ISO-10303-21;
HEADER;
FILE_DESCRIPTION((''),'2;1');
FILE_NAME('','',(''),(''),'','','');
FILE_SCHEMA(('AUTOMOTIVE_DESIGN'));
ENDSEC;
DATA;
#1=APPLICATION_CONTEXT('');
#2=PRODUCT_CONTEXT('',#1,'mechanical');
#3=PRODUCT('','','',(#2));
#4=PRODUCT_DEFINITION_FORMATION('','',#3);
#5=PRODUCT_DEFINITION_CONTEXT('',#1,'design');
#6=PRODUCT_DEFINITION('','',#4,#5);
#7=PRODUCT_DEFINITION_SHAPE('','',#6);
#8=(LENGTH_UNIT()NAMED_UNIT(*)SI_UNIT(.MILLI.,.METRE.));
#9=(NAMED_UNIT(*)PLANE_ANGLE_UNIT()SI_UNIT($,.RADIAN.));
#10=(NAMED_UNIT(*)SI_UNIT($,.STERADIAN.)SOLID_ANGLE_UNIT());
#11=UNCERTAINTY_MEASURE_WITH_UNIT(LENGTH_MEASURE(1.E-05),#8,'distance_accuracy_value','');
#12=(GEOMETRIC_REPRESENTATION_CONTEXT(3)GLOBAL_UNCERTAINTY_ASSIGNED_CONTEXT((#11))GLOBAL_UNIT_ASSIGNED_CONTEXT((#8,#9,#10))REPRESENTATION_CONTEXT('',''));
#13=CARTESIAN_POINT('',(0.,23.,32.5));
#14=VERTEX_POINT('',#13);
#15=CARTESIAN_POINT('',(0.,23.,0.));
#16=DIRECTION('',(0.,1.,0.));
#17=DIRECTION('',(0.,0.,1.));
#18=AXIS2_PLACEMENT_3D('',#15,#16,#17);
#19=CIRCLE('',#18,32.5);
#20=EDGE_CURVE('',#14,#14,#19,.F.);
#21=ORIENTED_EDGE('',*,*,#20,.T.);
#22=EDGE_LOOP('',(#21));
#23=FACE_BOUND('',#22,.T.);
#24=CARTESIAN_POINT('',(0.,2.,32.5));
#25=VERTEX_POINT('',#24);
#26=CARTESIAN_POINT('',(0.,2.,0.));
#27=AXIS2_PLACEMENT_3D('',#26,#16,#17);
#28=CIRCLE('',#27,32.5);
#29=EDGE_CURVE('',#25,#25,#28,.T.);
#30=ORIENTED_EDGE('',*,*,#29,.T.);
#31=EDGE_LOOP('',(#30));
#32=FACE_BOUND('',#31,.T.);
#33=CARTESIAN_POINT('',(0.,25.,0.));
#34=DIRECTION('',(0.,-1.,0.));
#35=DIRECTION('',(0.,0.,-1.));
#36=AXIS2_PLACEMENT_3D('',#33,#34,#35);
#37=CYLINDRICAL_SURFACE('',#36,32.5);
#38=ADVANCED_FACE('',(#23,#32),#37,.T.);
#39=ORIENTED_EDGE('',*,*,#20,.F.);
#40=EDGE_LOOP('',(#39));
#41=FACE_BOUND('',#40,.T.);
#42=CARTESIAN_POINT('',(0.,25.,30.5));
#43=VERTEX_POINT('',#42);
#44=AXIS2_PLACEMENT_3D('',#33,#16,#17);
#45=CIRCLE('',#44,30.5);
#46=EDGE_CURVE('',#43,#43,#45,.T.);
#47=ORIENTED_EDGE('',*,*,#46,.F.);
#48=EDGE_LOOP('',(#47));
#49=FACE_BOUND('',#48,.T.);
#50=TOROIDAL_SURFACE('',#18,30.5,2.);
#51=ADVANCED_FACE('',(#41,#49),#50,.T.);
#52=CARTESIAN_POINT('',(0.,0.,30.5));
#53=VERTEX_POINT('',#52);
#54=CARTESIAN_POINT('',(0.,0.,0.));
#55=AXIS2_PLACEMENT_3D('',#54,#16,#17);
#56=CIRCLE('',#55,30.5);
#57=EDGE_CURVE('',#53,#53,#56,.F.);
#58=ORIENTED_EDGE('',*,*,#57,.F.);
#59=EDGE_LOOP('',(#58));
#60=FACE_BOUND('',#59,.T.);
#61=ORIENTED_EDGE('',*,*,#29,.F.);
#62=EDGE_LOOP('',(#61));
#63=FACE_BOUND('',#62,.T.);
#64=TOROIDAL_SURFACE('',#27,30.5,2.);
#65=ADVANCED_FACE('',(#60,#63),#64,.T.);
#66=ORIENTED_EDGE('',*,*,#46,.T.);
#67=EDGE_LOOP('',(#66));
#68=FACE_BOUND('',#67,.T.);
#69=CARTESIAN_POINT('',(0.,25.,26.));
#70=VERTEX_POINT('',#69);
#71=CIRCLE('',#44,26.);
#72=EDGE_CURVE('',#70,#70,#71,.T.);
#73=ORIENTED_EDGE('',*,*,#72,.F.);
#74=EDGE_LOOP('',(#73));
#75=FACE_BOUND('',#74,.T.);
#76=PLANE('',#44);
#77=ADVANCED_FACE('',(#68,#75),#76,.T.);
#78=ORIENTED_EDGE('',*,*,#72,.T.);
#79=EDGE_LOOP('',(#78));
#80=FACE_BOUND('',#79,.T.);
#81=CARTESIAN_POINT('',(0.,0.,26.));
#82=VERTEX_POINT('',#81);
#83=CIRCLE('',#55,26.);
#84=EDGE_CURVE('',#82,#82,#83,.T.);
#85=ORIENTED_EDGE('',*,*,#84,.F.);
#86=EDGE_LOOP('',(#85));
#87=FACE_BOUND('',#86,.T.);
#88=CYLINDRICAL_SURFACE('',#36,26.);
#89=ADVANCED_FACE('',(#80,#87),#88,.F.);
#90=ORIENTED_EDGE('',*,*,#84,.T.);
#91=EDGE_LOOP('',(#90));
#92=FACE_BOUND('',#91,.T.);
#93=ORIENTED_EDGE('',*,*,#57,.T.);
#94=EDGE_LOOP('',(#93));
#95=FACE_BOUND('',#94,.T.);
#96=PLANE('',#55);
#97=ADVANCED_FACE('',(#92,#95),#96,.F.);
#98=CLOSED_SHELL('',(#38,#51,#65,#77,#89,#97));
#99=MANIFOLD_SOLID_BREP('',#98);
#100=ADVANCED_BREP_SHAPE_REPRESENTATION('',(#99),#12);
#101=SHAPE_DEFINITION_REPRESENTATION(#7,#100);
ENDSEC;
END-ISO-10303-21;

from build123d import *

# Parameters (mm, degrees)
SKETCH2_R           = 32.5
SKETCH2_R_2         = 26
BOSS_EXTRUDE1_DEPTH = 25
FILLET2_R           = 2


with BuildPart() as part:
    # Sketch2 → Boss-Extrude1 (new body)
    with BuildSketch(Plane(origin=(0, 0, 0), x_dir=(1, 0, 0), z_dir=(0, 1, 0))):
        with Locations(Location((0, 0, 0), (0, 0, 270))):
            Circle(SKETCH2_R)
        with Locations(Location((0, 0, 0), (0, 0, 270))):
            Circle(SKETCH2_R_2, mode=Mode.SUBTRACT)
    extrude(amount=BOSS_EXTRUDE1_DEPTH)

    # Fillet2
    fillet2_edges = [part.edges().sort_by_distance(p)[0] for p in [
        (0, 0, -32.5),
        (0, 25, -32.5),
    ]]
    fillet(fillet2_edges, radius=FILLET2_R)


solid = part.part
